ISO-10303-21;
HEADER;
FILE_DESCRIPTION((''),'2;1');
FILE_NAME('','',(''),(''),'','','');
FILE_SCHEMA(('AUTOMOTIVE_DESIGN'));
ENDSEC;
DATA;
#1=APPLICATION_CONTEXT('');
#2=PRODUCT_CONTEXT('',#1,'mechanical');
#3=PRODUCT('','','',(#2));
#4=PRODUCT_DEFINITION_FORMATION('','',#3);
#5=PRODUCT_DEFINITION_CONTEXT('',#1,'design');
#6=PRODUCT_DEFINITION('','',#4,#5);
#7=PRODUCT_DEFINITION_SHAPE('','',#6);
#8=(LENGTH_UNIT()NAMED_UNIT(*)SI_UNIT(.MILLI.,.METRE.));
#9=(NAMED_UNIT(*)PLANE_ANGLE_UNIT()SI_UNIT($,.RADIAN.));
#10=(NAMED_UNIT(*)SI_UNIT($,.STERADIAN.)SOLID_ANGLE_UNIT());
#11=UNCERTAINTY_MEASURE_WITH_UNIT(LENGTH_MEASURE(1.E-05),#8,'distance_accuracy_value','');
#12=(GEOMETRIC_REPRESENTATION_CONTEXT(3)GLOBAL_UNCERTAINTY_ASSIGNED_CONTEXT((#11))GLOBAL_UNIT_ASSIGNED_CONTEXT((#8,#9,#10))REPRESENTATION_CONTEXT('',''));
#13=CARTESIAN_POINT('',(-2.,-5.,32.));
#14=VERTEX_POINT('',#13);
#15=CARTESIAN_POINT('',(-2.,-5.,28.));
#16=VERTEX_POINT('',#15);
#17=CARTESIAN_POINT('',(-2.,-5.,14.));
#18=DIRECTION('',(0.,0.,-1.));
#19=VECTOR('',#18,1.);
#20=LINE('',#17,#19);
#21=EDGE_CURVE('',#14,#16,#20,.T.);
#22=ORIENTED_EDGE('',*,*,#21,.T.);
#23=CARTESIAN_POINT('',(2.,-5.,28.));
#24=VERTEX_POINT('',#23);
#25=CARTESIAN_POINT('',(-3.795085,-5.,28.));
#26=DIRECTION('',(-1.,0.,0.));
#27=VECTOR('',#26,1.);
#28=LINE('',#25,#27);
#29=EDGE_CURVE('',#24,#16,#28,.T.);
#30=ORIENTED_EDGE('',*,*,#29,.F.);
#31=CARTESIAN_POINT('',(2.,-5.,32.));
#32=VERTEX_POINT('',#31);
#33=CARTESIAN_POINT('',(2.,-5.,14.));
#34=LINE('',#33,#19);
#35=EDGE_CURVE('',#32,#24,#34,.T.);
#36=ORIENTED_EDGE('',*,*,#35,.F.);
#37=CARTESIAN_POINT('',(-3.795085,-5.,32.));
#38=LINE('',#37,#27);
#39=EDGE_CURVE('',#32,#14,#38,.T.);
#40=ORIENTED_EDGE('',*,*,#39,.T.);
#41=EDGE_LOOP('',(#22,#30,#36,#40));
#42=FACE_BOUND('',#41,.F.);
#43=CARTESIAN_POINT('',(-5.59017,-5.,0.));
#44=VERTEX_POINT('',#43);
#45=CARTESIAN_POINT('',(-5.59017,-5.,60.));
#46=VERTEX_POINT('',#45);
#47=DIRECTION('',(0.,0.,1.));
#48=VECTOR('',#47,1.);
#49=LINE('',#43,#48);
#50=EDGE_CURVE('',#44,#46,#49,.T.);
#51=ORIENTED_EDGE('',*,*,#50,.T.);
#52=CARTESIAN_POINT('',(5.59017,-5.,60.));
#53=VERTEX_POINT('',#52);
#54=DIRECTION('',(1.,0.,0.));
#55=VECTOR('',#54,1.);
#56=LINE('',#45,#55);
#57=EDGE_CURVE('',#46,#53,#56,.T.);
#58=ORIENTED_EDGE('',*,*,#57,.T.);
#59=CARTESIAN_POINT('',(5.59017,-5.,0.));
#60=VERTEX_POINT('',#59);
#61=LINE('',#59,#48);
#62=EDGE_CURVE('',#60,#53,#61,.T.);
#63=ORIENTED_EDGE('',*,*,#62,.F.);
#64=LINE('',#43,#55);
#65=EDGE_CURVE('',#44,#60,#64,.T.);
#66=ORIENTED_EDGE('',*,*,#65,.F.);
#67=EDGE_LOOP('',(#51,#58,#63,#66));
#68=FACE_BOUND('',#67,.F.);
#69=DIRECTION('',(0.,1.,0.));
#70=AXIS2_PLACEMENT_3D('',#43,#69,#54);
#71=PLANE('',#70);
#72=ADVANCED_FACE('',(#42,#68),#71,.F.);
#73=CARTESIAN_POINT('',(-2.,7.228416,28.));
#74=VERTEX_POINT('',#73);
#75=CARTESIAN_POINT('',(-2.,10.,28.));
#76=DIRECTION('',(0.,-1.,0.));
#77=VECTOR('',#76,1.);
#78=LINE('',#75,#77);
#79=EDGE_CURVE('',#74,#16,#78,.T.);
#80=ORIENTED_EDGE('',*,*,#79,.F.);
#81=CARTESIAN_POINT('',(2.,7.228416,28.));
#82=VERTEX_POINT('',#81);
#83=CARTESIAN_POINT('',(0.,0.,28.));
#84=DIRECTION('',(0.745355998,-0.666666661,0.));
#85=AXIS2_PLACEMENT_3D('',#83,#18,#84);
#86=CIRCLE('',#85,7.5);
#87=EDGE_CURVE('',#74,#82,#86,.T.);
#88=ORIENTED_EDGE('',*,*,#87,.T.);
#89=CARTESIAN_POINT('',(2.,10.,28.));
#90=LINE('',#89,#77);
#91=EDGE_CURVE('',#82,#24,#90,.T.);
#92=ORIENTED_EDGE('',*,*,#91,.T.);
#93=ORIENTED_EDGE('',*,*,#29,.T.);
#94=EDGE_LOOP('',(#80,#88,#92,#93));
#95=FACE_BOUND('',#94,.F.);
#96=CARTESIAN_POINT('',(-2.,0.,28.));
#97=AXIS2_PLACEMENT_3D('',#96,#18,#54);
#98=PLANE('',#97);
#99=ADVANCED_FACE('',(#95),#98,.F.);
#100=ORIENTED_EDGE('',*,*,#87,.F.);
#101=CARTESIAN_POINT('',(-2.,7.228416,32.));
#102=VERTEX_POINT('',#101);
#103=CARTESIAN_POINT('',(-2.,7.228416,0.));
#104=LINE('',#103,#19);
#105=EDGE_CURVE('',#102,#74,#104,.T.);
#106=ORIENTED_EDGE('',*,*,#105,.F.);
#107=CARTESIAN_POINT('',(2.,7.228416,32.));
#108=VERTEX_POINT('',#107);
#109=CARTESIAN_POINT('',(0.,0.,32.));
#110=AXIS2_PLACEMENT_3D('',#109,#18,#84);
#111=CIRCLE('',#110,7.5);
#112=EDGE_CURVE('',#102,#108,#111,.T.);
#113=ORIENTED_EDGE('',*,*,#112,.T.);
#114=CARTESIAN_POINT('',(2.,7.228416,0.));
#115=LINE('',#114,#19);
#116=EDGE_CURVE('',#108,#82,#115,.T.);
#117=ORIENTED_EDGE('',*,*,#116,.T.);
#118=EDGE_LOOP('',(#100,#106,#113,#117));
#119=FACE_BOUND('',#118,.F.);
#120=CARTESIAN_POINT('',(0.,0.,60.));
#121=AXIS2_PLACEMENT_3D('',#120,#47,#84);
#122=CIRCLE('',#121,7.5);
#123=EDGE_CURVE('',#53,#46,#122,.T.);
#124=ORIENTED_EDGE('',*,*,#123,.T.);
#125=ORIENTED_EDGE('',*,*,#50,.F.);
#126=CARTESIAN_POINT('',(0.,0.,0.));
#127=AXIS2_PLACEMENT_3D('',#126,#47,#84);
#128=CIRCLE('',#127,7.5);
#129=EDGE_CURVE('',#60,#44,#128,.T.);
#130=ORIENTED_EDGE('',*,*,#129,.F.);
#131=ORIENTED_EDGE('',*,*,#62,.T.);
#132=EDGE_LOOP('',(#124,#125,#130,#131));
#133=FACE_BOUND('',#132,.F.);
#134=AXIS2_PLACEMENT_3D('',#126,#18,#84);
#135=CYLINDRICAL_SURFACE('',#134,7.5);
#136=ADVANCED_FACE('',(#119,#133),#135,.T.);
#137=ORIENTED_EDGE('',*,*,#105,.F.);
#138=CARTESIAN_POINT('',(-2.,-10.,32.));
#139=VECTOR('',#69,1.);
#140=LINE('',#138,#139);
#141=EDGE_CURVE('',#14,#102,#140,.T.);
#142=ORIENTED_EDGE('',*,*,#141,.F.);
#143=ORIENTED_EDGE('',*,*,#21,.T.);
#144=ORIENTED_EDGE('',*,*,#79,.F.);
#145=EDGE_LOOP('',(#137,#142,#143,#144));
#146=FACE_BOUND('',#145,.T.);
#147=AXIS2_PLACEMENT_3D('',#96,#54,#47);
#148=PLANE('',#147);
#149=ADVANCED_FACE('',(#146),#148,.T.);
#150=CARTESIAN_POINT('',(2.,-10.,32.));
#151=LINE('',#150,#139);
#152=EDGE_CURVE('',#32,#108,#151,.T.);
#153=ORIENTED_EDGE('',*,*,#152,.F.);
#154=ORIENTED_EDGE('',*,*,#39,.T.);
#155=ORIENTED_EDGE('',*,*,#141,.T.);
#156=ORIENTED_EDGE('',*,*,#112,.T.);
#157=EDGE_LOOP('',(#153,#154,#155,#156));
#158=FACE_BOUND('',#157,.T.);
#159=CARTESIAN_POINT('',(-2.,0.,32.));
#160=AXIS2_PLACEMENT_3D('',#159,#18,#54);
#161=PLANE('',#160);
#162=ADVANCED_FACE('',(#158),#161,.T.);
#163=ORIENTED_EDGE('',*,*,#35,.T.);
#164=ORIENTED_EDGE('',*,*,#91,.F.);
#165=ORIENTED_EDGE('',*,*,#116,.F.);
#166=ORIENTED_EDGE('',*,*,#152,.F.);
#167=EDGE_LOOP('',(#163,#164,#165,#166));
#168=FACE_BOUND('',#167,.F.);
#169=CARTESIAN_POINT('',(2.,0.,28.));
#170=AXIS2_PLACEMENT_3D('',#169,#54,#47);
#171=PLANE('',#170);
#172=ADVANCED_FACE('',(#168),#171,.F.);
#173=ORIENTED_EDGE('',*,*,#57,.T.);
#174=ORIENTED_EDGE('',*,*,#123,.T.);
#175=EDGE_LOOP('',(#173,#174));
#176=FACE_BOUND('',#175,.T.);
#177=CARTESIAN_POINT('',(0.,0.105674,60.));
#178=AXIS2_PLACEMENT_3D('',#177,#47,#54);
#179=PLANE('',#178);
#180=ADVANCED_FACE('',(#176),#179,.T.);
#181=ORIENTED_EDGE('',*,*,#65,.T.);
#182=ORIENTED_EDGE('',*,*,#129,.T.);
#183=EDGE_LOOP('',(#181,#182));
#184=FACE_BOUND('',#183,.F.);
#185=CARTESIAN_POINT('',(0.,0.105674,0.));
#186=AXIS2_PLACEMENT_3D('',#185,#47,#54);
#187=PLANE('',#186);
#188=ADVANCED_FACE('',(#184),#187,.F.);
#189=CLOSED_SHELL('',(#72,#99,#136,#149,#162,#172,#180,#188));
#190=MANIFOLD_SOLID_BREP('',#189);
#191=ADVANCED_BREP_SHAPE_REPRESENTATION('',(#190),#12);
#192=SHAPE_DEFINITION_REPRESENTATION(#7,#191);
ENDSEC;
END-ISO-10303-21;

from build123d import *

# Parameters (mm, degrees)
F1_DEPTH = 60
F2_W     = 4
F2_H     = 4
F3_DEPTH = 10


with BuildPart() as f1:
    # F0 (on Top) → F1 (new body)
    with BuildSketch(Plane.XY):
        with BuildLine():
            Line((-5.59017, -5), (5.59017, -5))
            ThreePointArc((5.59017, -5), (0, 7.5), (-5.59017, -5))
        make_face()
    extrude(amount=F1_DEPTH)

    # F2 (on Front) → F3 (cut, symmetric)
    with BuildSketch(Plane.XZ):
        with Locations((0, 30)):
            Rectangle(F2_W, F2_H)
    extrude(amount=F3_DEPTH, both=True, mode=Mode.SUBTRACT)


solid = f1.part
